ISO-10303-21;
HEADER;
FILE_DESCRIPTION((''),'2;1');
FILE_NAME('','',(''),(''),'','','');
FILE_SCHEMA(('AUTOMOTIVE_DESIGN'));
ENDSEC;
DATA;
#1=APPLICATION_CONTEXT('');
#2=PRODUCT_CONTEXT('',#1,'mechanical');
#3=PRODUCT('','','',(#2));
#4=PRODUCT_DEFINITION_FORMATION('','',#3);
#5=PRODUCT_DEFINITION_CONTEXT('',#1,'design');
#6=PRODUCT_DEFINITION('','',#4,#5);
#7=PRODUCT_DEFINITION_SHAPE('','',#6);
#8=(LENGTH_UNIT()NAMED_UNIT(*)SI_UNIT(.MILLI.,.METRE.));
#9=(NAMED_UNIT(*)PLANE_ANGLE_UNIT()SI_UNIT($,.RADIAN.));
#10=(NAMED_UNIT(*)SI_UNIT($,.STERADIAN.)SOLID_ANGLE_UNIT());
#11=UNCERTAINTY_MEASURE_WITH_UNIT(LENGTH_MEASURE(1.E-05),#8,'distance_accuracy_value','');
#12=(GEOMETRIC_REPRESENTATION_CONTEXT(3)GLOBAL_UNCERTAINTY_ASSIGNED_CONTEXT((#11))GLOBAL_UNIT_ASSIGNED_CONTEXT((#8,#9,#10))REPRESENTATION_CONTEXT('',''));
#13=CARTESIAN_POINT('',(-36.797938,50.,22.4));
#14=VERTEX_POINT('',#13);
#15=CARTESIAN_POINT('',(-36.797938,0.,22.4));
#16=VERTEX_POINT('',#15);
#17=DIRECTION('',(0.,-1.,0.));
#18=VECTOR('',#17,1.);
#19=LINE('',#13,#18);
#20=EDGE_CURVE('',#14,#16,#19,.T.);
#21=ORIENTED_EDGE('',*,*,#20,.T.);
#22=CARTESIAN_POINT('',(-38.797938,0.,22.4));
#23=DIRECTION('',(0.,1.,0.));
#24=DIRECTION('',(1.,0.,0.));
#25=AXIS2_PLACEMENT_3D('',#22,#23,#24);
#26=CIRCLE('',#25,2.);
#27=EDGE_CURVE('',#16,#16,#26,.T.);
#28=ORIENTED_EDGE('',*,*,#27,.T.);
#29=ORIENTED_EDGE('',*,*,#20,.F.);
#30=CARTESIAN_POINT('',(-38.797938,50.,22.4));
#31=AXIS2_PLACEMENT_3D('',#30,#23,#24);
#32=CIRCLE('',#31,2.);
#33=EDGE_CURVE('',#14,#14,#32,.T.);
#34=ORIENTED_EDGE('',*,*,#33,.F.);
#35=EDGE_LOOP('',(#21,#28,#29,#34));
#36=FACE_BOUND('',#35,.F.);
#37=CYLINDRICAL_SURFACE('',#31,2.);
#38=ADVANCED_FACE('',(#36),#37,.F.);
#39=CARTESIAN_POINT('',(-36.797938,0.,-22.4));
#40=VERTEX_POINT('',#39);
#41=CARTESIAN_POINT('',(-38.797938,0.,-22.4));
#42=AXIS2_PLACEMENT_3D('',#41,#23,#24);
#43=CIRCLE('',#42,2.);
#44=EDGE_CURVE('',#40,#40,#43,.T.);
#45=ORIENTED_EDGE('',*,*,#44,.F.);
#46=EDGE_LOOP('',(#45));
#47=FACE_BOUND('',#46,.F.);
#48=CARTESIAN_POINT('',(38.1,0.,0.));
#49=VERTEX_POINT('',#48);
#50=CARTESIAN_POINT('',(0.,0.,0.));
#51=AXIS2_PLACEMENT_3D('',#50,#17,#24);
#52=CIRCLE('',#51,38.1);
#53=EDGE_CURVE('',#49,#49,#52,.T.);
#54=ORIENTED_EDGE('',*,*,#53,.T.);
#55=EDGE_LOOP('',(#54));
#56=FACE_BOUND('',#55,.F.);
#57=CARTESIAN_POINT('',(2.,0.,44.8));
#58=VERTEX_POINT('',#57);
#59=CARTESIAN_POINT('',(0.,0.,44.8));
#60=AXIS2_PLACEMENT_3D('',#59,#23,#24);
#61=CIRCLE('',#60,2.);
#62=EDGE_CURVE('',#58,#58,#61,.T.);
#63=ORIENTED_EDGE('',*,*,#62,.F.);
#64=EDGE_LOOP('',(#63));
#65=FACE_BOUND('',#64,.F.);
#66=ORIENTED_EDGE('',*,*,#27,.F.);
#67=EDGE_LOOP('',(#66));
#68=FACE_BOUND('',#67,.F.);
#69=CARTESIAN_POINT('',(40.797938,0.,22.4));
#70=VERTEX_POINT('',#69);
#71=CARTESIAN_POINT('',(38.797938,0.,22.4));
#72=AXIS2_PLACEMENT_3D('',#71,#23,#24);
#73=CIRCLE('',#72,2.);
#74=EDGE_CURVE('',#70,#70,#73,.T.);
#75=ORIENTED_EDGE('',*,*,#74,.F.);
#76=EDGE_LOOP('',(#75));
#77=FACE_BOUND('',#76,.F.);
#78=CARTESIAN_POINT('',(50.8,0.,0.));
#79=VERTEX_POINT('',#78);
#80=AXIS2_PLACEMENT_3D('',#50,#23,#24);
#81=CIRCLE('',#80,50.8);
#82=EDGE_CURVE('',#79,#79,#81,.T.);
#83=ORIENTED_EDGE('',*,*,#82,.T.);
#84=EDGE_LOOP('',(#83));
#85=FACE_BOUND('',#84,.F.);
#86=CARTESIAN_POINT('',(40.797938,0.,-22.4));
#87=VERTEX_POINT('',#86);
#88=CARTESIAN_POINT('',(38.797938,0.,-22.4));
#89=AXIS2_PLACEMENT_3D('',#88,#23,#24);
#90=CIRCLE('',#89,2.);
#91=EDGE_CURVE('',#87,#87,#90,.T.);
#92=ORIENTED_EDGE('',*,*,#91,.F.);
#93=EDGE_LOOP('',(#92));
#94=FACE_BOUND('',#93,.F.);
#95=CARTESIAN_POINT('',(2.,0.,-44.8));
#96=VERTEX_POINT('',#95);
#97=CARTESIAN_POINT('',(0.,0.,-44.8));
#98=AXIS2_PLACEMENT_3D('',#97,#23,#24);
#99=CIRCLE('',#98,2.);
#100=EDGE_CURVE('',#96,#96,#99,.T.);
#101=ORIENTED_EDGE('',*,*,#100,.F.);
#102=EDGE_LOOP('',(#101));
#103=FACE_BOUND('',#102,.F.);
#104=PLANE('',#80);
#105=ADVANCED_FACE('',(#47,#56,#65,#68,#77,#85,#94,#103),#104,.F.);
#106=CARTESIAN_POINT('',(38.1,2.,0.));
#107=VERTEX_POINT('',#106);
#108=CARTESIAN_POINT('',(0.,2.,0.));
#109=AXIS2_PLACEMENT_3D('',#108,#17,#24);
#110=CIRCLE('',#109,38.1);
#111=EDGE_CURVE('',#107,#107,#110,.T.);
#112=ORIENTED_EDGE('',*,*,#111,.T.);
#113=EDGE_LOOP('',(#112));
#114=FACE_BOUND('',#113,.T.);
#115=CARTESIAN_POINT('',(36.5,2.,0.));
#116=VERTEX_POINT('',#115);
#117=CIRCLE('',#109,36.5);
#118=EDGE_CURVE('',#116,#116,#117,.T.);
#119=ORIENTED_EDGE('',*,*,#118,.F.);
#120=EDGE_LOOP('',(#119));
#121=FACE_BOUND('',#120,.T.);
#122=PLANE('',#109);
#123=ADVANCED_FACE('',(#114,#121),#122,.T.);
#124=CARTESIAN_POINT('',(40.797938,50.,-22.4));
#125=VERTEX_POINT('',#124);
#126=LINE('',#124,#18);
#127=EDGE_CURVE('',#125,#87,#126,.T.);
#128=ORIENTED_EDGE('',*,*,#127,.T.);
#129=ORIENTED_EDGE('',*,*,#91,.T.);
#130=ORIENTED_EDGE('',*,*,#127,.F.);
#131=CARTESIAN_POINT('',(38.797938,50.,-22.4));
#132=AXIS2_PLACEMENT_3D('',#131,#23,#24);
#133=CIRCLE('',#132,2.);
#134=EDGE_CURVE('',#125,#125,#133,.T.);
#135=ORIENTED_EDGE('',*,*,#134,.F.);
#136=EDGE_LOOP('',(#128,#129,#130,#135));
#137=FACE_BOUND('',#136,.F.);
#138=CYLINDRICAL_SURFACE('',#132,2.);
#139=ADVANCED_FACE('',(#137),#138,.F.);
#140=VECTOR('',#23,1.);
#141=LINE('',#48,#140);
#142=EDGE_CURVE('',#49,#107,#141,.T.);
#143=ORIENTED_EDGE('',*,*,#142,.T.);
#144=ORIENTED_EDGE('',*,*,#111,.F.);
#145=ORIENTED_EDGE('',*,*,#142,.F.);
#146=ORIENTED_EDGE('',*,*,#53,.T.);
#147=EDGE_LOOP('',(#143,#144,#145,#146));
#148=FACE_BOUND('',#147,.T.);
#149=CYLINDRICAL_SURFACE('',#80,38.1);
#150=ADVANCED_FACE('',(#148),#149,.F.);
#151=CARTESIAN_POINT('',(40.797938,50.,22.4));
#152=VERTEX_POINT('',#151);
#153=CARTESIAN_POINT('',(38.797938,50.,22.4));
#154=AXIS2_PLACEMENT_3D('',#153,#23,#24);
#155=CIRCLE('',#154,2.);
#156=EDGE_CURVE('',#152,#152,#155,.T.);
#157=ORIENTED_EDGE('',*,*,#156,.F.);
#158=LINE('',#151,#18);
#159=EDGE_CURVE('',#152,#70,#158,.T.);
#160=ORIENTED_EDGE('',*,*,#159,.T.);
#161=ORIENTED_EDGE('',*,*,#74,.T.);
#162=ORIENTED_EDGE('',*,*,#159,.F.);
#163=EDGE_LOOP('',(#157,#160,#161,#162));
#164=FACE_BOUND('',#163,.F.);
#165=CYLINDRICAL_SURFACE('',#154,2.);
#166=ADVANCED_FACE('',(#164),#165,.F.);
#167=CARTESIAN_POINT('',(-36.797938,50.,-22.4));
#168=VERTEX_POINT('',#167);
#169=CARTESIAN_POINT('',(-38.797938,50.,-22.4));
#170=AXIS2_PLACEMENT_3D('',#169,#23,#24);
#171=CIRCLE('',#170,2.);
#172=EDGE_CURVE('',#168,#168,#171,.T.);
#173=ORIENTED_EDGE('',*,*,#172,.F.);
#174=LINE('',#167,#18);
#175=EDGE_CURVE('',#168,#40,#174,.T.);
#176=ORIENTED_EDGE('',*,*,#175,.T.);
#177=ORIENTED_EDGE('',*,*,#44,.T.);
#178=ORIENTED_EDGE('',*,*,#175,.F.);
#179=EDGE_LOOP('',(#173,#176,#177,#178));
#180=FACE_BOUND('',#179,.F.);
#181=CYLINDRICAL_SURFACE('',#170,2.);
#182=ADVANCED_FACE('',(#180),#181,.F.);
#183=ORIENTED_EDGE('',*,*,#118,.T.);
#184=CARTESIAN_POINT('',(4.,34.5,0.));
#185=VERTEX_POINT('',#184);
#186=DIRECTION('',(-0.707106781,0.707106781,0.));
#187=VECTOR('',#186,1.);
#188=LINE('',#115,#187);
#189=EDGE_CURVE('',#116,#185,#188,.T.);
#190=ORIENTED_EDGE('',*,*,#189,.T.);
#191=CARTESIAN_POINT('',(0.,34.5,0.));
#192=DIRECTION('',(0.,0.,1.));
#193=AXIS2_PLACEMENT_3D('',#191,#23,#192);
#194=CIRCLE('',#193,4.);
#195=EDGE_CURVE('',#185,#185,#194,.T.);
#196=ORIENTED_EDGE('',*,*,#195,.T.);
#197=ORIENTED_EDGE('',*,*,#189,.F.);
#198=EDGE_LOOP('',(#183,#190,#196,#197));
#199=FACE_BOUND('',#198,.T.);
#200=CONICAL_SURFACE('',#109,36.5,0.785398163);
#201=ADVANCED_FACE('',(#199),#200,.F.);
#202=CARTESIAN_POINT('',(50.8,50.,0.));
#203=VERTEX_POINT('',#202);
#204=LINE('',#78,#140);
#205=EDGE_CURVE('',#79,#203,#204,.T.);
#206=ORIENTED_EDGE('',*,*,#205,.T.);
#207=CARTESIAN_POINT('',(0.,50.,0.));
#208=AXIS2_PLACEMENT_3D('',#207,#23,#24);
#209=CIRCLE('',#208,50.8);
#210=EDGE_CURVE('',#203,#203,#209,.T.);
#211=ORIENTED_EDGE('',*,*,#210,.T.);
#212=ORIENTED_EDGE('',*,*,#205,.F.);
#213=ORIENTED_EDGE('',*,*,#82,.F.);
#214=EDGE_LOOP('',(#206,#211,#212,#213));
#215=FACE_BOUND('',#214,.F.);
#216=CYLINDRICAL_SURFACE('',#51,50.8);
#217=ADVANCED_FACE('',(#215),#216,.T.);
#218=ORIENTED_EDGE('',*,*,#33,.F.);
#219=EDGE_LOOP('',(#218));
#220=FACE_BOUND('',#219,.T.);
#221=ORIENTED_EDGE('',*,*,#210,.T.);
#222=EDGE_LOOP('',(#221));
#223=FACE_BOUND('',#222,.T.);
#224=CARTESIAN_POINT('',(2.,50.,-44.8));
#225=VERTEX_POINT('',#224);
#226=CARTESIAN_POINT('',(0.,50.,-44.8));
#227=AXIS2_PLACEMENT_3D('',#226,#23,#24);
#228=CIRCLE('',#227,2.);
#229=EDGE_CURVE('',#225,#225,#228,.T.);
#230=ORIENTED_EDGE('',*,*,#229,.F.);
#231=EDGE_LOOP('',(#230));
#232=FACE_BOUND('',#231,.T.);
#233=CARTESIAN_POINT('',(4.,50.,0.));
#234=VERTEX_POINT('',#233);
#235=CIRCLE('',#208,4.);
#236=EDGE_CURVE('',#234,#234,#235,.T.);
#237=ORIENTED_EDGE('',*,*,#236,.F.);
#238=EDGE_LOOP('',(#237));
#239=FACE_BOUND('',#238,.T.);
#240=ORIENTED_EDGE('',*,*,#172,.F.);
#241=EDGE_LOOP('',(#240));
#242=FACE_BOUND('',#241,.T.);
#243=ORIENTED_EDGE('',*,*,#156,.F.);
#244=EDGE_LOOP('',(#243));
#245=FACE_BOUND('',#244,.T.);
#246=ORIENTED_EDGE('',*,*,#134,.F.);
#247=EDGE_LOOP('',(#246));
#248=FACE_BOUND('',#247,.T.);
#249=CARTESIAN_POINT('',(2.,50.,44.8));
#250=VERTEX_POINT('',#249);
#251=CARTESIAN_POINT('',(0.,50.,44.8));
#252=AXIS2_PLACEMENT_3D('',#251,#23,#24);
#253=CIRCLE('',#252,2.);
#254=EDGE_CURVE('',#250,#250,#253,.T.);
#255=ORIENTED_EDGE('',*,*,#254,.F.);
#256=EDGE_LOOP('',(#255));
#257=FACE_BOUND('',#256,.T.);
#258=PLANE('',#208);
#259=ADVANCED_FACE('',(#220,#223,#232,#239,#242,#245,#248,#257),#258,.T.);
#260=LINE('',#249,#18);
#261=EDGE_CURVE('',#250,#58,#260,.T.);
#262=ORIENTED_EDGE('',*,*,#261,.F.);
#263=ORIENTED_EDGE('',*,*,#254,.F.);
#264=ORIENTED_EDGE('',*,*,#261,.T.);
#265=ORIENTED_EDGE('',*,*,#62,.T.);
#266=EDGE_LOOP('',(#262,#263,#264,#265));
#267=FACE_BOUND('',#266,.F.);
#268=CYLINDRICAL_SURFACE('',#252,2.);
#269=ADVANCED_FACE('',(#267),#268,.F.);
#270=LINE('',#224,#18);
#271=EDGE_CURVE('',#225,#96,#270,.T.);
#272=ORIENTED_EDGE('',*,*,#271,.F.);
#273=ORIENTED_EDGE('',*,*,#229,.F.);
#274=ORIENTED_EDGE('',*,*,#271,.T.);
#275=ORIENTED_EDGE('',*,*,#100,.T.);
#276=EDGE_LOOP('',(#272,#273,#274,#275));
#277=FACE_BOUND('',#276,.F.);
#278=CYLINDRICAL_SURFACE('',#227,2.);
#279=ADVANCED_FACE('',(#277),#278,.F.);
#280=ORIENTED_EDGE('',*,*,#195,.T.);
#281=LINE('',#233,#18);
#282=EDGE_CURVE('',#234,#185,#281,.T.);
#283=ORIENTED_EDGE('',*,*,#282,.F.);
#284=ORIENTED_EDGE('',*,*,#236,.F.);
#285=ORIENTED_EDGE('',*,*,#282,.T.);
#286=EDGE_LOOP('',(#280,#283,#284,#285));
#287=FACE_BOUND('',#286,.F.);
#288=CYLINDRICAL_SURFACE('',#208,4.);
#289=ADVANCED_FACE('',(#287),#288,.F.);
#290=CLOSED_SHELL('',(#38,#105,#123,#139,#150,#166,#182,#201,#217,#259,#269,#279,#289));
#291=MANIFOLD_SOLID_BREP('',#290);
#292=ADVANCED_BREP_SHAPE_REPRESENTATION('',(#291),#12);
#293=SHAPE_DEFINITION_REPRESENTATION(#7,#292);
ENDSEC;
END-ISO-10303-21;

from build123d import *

# Parameters (mm, degrees)
SKETCH1_R           = 50.8
BOSS_EXTRUDE1_DEPTH = 50
SKETCH4_R           = 4
SKETCH4_R_2         = 2
CUT_EXTRUDE2_DEPTH  = 71


with BuildPart() as part:
    # Sketch1 → Boss-Extrude1 (new body)
    with BuildSketch(Plane(origin=(0, 0, 0), x_dir=(1, 0, 0), z_dir=(0, 1, 0))):
        Circle(SKETCH1_R)
    extrude(amount=BOSS_EXTRUDE1_DEPTH)

    # Sketch3 → Cut-Revolve1 (revolve, cut)
    with BuildSketch(Plane.XY):
        Polygon((0, 0), (38.1, 0), (38.1, 2), (36.5, 2), (0, 38.5), align=None)
    revolve(axis=Axis((0, 38.5, 0), (0, -1, 0)), mode=Mode.SUBTRACT)

    # Sketch4 → Cut-Extrude2 (cut)
    with BuildSketch(Plane(origin=(0, 50, 0), x_dir=(1, 0, 0), z_dir=(0, 1, 0))):
        Circle(SKETCH4_R)
        with Locations((0, 44.8)):
            Circle(SKETCH4_R_2)
        with Locations((38.79793809, 22.4)):
            Circle(SKETCH4_R_2)
        with Locations((38.79793809, -22.4)):
            Circle(SKETCH4_R_2)
        with Locations((0, -44.8)):
            Circle(SKETCH4_R_2)
        with Locations((-38.79793809, -22.4)):
            Circle(SKETCH4_R_2)
        with Locations((-38.79793809, 22.4)):
            Circle(SKETCH4_R_2)
    extrude(amount=-CUT_EXTRUDE2_DEPTH, mode=Mode.SUBTRACT)


solid = part.part
